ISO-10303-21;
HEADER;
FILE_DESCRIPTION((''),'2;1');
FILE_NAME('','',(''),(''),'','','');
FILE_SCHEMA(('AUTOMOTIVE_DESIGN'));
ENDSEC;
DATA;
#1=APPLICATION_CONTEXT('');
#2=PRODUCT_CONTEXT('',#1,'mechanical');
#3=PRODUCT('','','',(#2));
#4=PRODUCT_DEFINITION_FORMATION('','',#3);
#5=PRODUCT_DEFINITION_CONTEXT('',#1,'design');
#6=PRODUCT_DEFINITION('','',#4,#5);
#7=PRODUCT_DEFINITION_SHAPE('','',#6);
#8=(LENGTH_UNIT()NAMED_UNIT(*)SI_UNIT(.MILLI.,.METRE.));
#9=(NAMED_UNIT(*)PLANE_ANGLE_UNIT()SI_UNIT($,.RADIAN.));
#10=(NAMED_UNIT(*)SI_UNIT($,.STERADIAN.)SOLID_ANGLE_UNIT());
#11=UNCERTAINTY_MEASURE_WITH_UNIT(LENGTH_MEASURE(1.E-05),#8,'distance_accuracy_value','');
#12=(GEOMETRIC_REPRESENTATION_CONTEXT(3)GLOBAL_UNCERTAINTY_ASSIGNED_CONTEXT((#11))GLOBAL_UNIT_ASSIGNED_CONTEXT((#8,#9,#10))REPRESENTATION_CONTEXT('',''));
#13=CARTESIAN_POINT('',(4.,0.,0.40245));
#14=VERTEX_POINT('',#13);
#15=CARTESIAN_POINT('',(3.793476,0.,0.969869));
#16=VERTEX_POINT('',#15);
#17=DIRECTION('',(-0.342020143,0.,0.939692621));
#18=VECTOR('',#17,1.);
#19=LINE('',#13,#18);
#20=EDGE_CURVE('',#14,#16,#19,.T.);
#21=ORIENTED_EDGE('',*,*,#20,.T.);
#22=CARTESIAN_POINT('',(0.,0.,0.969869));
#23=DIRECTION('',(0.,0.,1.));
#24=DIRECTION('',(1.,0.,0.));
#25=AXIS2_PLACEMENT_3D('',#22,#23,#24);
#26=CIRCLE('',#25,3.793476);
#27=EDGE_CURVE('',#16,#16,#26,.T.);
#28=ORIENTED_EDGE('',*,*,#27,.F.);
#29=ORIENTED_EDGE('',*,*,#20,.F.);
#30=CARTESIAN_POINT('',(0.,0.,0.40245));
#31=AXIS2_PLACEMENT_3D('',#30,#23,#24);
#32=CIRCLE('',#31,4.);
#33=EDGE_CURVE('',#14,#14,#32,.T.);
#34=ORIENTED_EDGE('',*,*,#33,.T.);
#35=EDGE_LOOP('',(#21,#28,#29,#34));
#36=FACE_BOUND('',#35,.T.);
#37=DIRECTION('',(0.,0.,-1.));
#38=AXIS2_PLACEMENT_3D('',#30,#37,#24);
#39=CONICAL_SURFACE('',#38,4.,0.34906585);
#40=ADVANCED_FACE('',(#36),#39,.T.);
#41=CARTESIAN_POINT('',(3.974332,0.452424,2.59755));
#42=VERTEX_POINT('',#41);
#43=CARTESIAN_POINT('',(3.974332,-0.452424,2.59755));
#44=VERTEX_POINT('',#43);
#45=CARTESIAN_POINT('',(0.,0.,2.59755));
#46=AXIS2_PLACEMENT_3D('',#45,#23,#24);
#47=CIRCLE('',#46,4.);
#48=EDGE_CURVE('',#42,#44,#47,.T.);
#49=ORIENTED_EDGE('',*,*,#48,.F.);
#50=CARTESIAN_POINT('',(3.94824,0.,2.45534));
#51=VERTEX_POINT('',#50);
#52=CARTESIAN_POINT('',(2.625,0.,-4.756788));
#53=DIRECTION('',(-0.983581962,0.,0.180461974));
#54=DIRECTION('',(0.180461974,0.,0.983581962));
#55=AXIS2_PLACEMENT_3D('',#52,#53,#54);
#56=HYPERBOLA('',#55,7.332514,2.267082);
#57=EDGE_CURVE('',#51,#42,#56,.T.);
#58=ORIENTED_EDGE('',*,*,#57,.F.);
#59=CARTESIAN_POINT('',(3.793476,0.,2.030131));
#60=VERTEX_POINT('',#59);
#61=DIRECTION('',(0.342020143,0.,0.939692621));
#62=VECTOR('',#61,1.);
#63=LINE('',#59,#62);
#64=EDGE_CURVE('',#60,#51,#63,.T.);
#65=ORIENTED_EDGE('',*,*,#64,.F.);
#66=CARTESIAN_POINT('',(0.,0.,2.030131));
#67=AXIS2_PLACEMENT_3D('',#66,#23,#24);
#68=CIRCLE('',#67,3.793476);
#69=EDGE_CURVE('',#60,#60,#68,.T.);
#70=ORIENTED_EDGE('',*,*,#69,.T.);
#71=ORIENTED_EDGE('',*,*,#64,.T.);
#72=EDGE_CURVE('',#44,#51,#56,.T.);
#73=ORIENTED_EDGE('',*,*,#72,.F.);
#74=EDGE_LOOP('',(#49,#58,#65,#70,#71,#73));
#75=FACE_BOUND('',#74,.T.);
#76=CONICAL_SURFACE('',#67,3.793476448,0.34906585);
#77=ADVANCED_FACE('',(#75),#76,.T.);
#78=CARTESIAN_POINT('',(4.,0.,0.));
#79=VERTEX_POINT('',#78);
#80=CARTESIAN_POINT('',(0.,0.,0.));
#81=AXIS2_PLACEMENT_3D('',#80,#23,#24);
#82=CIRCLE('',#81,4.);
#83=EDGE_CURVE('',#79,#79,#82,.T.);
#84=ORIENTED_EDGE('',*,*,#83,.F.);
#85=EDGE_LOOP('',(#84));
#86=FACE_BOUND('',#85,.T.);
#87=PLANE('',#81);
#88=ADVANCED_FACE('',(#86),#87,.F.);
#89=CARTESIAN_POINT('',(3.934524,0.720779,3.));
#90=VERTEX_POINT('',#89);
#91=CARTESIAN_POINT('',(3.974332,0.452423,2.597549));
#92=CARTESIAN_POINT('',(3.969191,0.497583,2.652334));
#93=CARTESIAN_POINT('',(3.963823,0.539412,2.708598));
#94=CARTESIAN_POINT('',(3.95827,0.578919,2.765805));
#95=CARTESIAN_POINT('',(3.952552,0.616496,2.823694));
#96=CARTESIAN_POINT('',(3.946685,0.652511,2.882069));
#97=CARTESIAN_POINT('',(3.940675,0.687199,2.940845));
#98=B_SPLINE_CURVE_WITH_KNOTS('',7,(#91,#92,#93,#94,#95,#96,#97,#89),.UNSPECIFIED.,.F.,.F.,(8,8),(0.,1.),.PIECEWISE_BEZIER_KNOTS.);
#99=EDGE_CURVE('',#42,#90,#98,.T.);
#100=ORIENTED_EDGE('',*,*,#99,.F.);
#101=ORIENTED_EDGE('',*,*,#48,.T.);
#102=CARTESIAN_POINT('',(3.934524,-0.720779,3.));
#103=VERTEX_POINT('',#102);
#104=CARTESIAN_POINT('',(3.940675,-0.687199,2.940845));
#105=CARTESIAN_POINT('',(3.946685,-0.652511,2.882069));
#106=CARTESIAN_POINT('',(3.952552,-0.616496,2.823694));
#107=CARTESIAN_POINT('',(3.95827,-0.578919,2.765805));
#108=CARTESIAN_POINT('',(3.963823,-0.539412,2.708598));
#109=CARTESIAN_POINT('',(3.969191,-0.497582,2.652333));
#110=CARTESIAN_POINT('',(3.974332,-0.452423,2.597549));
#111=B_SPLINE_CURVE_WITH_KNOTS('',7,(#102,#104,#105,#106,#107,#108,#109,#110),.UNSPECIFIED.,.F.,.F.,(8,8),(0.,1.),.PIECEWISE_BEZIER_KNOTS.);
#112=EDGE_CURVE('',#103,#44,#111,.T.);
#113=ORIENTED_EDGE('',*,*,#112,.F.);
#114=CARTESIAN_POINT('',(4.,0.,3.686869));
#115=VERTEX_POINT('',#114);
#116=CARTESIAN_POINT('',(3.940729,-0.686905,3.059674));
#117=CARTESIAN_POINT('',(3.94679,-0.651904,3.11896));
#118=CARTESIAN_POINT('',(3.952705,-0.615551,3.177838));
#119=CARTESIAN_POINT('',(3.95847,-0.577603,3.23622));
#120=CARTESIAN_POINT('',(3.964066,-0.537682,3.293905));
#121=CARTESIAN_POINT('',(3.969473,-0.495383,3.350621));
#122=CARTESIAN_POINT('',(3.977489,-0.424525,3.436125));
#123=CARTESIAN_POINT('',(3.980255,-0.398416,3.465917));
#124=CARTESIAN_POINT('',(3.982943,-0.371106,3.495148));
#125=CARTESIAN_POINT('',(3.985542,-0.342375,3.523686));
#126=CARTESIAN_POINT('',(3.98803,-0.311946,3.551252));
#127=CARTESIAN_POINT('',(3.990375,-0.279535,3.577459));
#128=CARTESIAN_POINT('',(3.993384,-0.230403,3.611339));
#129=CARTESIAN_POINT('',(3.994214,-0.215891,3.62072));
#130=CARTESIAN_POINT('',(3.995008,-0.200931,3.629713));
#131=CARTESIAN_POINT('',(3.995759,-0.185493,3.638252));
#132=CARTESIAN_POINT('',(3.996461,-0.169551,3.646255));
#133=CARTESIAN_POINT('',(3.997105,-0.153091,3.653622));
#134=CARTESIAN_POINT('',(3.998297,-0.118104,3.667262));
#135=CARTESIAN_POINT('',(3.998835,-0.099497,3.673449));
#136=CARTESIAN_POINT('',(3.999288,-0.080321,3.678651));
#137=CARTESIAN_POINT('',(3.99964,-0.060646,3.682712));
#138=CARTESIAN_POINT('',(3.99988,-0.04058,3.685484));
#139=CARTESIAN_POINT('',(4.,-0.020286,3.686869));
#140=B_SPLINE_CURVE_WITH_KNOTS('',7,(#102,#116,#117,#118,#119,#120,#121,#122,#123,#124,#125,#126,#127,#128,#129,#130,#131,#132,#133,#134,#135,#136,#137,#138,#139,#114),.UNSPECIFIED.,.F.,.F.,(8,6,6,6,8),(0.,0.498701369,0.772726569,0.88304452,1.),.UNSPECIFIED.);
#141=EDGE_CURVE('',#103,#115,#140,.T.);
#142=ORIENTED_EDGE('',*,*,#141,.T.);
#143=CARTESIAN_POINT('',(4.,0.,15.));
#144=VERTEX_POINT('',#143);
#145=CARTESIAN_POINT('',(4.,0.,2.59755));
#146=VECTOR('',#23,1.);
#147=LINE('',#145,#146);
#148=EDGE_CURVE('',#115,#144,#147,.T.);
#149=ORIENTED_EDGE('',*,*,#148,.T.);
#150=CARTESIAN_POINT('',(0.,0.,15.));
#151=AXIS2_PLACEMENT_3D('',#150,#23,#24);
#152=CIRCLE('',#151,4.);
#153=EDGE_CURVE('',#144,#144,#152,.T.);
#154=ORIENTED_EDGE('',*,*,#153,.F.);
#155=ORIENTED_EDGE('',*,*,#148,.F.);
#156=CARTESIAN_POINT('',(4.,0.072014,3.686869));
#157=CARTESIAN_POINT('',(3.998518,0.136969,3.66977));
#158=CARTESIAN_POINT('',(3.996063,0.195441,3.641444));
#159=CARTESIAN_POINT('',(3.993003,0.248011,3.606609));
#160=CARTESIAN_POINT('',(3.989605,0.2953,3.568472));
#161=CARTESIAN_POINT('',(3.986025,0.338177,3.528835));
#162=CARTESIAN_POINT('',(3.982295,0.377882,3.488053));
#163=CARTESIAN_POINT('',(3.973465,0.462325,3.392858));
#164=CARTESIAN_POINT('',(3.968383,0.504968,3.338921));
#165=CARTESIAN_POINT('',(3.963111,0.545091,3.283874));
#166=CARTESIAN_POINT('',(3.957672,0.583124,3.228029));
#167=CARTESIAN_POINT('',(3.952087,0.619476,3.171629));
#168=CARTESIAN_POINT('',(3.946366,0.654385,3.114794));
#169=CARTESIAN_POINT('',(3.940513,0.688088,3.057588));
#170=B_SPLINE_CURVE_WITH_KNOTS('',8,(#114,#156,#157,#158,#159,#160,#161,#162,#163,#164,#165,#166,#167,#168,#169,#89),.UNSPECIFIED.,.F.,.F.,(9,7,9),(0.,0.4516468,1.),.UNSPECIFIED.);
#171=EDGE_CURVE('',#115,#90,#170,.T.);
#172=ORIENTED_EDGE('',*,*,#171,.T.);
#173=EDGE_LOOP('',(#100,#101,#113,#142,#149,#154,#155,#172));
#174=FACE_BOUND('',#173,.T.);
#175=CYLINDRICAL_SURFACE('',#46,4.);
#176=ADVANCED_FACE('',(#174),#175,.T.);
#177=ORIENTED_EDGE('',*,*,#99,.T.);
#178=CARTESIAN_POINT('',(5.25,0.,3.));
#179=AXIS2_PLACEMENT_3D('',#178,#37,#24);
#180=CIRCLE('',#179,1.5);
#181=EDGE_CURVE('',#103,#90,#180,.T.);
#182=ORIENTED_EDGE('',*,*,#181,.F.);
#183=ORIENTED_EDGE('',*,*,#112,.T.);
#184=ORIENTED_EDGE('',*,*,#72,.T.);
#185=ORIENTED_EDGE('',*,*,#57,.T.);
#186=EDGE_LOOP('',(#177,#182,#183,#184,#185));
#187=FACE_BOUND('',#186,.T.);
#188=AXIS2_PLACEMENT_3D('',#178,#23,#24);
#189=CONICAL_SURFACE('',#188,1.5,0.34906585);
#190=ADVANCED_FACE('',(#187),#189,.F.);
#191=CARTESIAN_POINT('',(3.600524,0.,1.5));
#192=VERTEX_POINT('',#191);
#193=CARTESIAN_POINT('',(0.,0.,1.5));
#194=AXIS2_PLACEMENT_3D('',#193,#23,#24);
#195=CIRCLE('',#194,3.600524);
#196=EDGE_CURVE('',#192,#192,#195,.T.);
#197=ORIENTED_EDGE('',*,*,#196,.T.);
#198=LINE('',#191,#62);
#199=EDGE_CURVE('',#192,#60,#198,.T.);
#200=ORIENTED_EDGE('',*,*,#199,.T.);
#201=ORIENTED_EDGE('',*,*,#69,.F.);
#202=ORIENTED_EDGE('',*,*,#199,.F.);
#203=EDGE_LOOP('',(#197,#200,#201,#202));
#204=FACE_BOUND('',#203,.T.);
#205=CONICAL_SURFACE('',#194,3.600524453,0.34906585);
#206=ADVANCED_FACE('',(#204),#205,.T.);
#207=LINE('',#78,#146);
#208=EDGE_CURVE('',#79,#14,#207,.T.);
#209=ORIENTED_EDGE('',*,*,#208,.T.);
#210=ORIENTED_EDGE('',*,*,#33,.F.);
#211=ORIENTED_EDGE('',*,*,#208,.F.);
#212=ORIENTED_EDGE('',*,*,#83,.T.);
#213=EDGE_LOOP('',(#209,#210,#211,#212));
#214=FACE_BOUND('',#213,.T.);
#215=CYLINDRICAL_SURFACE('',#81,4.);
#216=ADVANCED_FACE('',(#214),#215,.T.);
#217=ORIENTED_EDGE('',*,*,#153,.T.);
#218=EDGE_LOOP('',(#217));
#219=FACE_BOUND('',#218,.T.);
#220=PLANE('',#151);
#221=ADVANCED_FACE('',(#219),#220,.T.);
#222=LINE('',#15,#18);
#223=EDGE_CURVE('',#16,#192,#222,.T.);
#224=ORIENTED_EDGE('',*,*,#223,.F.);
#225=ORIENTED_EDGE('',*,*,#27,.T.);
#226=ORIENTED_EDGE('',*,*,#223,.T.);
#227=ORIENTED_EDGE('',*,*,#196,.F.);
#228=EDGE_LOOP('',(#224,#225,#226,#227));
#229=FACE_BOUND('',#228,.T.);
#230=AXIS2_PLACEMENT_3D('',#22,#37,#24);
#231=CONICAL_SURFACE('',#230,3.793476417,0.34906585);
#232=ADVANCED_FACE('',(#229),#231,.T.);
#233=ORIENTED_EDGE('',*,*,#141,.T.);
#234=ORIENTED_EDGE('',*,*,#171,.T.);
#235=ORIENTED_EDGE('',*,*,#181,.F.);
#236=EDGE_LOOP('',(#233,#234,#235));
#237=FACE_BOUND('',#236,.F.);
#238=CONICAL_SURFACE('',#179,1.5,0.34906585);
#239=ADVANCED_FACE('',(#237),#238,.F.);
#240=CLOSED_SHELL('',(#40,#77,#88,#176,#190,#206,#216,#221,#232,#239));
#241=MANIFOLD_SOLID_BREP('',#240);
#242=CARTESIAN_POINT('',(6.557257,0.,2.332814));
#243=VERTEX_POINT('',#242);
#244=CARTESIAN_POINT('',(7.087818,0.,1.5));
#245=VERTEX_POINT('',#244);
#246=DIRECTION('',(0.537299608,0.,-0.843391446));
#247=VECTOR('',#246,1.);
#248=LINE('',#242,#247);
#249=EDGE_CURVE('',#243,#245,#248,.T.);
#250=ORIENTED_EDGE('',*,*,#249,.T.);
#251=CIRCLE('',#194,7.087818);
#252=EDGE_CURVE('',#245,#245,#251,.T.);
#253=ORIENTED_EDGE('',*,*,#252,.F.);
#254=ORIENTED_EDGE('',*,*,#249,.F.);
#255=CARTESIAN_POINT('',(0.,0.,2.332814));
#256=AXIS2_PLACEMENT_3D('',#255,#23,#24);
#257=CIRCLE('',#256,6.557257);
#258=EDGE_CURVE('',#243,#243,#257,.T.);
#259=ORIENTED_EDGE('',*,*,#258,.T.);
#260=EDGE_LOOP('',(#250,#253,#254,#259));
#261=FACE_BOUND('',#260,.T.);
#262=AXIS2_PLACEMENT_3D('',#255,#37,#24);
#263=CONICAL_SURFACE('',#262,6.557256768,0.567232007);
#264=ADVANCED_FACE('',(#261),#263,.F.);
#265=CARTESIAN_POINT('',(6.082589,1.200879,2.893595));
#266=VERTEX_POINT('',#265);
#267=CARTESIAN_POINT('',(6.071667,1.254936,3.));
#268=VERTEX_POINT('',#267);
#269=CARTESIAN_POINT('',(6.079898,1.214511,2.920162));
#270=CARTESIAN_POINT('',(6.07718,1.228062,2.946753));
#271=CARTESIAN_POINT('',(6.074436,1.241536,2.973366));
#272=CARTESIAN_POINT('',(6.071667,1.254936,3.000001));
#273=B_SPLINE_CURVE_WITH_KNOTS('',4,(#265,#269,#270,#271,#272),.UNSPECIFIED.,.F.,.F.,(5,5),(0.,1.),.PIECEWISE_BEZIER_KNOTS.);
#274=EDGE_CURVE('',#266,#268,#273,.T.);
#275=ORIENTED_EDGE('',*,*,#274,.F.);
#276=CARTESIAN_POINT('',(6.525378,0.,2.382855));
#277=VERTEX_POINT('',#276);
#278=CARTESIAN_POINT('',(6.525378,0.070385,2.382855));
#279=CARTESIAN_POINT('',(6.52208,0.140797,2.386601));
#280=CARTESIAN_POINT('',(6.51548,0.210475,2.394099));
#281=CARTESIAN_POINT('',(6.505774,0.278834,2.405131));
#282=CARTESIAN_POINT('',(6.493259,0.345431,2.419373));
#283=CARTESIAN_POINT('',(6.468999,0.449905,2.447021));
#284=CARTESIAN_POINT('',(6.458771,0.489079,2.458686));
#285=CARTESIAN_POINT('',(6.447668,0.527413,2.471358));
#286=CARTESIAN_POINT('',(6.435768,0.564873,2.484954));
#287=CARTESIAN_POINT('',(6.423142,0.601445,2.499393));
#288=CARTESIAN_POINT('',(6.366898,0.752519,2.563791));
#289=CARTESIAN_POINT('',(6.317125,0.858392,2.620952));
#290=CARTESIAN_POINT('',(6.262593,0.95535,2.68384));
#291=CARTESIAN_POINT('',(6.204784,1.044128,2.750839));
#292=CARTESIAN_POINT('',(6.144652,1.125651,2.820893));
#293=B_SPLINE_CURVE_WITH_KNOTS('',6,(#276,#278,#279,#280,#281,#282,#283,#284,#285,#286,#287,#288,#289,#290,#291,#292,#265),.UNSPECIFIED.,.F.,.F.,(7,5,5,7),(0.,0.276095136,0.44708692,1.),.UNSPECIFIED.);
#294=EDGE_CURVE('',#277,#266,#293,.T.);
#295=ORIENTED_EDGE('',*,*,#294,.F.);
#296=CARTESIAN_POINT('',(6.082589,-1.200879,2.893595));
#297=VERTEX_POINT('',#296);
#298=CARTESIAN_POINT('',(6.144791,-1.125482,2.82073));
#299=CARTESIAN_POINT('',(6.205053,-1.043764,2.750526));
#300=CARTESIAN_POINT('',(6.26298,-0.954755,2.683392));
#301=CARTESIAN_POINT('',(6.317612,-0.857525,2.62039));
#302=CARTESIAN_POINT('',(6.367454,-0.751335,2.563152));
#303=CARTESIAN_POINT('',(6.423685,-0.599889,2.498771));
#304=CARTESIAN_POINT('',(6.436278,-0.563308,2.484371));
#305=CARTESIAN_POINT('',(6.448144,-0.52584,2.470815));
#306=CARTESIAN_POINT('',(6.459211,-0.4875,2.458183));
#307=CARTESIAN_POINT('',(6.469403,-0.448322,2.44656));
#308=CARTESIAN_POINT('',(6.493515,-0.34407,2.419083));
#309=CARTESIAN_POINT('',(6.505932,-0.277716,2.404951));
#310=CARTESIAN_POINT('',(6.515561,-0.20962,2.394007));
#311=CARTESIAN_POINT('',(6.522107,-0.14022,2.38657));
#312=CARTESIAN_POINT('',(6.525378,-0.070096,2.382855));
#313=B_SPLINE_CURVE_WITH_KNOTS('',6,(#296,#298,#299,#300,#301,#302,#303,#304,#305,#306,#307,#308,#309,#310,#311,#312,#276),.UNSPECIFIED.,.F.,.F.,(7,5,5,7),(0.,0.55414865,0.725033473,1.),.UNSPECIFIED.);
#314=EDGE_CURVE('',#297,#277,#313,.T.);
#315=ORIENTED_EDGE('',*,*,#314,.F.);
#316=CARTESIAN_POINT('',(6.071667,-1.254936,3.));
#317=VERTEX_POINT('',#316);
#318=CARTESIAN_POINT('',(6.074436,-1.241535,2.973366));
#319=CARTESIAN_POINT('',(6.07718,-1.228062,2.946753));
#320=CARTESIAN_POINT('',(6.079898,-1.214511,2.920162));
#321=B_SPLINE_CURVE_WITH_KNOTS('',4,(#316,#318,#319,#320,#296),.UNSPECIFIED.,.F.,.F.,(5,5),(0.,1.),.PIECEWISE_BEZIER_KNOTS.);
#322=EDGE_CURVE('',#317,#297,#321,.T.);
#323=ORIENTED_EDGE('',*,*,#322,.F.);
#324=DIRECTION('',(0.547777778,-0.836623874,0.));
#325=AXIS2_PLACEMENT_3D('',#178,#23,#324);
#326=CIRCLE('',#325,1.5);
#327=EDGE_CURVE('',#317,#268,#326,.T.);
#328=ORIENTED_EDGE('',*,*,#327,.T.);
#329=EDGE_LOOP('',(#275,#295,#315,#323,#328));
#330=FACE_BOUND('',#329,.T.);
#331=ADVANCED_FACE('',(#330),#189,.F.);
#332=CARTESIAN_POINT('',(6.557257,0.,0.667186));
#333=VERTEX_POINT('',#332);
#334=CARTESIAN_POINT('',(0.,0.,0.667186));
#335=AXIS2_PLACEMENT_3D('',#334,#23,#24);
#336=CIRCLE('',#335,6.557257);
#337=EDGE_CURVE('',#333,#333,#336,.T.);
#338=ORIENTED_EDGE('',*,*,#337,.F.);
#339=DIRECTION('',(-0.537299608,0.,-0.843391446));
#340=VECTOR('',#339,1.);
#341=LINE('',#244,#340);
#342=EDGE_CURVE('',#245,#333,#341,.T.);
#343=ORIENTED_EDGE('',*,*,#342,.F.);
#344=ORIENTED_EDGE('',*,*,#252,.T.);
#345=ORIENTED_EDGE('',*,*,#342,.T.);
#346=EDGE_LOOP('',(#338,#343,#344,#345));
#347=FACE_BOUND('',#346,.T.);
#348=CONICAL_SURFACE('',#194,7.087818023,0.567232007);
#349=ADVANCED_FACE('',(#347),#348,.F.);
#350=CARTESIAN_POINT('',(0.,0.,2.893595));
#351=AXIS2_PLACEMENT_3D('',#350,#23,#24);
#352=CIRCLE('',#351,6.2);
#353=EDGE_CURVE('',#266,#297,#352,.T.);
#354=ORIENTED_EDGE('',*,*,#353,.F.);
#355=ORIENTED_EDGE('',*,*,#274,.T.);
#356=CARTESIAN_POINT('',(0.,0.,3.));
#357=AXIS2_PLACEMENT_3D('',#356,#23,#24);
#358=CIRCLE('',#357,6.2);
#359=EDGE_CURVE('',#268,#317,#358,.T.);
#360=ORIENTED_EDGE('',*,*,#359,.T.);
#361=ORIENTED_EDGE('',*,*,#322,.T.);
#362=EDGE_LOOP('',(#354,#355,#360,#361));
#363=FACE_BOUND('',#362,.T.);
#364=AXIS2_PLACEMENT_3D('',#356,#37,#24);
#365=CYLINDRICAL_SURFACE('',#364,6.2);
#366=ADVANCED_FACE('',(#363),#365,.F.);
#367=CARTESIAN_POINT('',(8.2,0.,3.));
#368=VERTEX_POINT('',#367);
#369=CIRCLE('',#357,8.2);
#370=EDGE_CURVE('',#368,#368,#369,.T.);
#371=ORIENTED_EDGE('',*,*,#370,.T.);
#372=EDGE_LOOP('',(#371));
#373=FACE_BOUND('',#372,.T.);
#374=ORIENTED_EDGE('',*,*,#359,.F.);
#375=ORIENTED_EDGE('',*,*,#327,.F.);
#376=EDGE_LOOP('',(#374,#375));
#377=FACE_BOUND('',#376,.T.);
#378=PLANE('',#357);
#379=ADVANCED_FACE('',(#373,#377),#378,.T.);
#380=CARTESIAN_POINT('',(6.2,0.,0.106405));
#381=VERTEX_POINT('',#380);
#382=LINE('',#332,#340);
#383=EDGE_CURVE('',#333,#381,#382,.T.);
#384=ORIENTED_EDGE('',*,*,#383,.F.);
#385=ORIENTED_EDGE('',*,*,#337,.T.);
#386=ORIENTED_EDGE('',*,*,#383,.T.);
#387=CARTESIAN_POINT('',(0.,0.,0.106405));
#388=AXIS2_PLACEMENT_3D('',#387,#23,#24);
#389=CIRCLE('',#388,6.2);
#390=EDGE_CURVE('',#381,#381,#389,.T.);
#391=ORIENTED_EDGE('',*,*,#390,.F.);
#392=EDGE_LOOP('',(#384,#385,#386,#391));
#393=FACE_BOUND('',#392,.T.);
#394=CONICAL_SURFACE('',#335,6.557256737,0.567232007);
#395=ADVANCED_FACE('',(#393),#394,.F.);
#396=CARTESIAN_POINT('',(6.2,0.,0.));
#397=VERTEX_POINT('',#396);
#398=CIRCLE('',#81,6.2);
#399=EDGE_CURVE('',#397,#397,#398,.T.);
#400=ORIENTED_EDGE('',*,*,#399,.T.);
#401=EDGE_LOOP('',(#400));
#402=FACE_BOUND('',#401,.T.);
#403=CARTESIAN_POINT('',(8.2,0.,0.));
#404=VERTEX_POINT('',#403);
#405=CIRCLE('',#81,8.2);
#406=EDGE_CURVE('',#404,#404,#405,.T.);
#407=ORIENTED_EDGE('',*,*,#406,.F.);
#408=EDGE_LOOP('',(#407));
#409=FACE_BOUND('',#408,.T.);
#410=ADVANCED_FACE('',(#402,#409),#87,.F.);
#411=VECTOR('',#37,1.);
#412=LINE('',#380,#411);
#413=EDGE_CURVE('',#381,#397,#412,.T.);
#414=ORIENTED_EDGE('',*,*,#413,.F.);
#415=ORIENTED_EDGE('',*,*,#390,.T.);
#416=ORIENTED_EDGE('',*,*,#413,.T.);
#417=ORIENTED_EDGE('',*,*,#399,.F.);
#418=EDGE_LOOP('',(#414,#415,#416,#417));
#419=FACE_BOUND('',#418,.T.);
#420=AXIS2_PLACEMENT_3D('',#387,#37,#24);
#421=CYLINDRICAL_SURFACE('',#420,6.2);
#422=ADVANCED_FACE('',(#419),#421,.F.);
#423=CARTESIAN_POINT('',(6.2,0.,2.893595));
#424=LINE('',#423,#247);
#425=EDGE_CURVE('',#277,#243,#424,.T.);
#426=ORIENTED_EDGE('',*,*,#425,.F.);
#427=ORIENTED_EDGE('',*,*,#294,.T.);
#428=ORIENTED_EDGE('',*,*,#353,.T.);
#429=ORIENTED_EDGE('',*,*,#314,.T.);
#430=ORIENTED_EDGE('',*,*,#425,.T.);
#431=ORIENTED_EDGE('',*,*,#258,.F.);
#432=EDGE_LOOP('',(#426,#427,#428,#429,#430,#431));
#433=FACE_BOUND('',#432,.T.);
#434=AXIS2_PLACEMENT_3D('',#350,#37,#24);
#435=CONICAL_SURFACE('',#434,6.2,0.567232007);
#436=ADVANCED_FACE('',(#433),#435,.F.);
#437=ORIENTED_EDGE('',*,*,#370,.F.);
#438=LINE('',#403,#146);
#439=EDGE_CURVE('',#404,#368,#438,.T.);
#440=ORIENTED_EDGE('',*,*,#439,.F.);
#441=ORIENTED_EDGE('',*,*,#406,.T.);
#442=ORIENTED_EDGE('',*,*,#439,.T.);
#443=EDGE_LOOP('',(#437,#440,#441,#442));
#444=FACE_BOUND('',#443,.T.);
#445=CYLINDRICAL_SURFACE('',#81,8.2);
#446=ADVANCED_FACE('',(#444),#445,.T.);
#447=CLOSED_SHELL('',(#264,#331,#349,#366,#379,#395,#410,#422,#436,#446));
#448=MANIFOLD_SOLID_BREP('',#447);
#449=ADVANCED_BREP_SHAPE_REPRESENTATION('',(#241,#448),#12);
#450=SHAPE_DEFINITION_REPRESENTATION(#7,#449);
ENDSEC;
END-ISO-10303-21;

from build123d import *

# Parameters (mm, degrees)
F2_R     = 1.5
F3_DEPTH = 1.5
F3_TAPER = 20


with BuildPart() as f1:
    # F0 (on Front) → F1 (revolve)
    with BuildSketch(Plane.XZ):
        Polygon((0, 15), (0, 0), (4, 0), (4, 0.4024499541), (3.7934764173, 0.9698688341), (3.6005244527, 1.5), (3.7934764478, 2.0301312496), (4, 2.5975500459), (4, 15), align=None)
    revolve(axis=Axis((0, 0, 7.5), (0, 0, 1)))


with BuildPart() as f1b:
    # F0 (on Front) → F1, piece 2 (revolve)
    with BuildSketch(Plane.XZ):
        Polygon((6.5572567367, 0.6671856002), (6.2, 0.1064048534), (6.2, 0), (8.2, 0), (8.2, 3), (6.2, 3), (6.2, 2.8935951466), (6.5572567677, 2.3328143511), (7.0878180235, 1.5), align=None)
    revolve(axis=Axis((0, 0, 7.5), (0, 0, 1)))


with BuildPart() as f3_tool:
    # F2 (on face) → F3 (new body, symmetric)
    with BuildSketch(Plane.XY.offset(3)):
        with Locations((5.25, 0)):
            Circle(F2_R)
    extrude(amount=F3_DEPTH, both=True, taper=F3_TAPER)


with BuildPart() as f1_1:
    add(f1.part)

    # F3: cut by f3_tool
    add(f3_tool.part, mode=Mode.SUBTRACT)


with BuildPart() as f1b_1:
    add(f1b.part)

    # F3: cut by f3_tool
    add(f3_tool.part, mode=Mode.SUBTRACT)


solid = Compound([f1_1.part, f1b_1.part])
